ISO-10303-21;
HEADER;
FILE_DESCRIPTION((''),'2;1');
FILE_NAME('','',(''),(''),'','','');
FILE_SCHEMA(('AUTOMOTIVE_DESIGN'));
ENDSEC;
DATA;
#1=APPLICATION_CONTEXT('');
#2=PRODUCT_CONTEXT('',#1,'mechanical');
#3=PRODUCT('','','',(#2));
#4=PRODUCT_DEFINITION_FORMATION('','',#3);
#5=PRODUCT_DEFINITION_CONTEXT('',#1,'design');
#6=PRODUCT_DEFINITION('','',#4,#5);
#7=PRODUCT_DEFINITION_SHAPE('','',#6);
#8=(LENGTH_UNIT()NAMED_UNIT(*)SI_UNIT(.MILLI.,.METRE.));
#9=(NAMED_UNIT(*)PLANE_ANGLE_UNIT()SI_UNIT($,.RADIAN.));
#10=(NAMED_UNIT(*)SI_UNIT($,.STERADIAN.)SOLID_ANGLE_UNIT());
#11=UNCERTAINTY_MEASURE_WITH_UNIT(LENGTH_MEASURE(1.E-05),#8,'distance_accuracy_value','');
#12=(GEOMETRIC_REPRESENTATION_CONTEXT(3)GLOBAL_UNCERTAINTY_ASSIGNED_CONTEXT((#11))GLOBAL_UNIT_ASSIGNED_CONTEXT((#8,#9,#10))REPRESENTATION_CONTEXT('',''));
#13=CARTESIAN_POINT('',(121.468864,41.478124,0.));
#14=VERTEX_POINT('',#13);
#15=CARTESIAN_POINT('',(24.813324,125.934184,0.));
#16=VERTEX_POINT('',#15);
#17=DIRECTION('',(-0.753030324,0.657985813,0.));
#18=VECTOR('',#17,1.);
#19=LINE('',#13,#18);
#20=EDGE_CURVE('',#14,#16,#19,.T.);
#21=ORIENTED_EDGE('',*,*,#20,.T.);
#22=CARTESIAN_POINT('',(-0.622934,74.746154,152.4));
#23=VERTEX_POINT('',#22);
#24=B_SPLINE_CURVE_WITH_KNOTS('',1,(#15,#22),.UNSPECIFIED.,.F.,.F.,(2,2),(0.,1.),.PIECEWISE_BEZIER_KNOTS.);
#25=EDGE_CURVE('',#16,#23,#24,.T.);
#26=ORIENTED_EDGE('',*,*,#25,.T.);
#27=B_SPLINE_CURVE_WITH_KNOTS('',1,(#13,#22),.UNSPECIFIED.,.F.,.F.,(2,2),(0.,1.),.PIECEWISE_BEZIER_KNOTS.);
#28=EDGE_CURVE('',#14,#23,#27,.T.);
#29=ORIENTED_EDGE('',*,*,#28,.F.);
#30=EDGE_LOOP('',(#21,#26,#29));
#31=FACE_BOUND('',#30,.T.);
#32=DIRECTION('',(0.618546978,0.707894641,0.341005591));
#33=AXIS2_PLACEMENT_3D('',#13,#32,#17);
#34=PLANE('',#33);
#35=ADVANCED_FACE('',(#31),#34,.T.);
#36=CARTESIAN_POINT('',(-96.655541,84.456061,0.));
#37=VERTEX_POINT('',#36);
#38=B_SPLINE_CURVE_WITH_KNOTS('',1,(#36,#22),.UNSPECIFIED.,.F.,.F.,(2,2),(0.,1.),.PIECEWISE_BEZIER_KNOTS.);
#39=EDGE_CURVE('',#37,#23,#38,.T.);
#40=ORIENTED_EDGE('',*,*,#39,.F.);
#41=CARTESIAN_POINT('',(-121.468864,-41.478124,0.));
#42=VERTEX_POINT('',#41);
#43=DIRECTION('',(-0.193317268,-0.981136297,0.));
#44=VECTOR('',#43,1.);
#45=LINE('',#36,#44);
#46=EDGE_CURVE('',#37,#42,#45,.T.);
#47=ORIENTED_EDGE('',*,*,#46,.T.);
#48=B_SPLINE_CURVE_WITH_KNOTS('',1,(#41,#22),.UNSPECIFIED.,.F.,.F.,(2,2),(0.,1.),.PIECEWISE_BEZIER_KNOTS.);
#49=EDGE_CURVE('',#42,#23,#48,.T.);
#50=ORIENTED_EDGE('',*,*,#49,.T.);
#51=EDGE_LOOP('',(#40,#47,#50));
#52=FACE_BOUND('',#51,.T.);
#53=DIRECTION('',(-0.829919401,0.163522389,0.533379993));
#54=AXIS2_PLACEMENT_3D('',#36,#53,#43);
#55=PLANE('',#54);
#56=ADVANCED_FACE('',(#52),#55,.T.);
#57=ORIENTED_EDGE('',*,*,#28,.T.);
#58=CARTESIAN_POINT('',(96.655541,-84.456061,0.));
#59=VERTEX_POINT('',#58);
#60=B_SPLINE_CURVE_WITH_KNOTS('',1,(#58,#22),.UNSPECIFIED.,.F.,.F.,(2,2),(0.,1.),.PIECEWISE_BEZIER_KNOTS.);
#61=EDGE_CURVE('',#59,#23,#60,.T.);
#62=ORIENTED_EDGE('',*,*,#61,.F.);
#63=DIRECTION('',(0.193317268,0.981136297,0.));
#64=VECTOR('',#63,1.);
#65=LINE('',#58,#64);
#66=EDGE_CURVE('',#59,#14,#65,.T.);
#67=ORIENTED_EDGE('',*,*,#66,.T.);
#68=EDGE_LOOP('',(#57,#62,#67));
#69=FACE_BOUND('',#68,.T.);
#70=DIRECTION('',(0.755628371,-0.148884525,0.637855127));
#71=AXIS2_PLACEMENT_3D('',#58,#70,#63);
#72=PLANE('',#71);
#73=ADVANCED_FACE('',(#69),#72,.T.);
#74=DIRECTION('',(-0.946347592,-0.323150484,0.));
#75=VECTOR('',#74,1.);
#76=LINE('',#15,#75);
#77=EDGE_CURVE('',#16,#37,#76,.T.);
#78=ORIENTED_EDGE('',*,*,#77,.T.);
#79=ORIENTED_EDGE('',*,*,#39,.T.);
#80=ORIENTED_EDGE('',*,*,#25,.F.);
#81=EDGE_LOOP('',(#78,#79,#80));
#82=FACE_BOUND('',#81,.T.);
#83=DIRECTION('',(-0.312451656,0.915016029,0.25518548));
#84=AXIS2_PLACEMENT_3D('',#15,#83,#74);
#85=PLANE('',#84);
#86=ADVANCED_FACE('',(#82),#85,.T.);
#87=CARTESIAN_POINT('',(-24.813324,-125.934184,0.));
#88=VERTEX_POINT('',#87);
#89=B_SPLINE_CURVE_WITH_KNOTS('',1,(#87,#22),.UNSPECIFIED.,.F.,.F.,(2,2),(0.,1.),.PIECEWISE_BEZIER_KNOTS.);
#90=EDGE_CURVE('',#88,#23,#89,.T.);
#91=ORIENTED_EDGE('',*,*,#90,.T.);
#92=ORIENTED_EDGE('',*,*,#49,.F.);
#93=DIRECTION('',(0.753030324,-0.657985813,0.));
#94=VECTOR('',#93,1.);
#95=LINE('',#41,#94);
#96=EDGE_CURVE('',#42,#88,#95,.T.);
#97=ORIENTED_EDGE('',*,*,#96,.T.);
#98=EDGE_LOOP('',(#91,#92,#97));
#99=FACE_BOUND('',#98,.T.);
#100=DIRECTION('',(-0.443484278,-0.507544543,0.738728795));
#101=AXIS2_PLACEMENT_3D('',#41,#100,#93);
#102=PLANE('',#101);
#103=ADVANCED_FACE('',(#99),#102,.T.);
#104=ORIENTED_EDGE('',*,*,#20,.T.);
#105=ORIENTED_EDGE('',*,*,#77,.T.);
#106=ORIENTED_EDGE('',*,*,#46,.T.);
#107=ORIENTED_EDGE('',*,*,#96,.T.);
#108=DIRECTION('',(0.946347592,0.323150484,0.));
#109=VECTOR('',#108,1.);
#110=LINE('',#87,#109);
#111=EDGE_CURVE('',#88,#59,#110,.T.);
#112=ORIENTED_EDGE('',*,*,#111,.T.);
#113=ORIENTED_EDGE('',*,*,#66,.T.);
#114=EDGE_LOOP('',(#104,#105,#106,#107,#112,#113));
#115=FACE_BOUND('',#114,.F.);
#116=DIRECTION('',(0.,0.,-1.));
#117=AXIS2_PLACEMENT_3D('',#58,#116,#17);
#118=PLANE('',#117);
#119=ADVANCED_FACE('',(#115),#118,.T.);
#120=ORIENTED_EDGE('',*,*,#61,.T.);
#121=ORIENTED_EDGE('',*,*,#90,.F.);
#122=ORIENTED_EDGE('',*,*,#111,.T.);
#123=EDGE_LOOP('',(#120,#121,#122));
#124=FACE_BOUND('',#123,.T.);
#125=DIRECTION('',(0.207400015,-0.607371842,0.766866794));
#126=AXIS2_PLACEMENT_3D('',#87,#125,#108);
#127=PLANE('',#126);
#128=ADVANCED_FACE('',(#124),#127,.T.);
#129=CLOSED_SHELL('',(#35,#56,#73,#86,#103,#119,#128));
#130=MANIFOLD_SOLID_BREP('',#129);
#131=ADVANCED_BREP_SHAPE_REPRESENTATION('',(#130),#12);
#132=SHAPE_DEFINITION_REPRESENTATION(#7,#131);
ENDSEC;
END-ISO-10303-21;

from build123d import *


with BuildPart() as f3:
    # F0 (on Top) → F3 section 0
    with BuildSketch(Plane.XY, mode=Mode.PRIVATE) as f3_s0:
        Polygon((96.6555408567, -84.4560605651), (121.4688643813, 41.4781235158), (24.8133235246, 125.934184081), (-96.6555408567, 84.4560605651), (-121.4688643813, -41.4781235158), (-24.8133235246, -125.934184081), align=None)
    loft([f3_s0.sketch, Vertex(-0.6229336141, 74.7461542487, 152.4)])


solid = f3.part
